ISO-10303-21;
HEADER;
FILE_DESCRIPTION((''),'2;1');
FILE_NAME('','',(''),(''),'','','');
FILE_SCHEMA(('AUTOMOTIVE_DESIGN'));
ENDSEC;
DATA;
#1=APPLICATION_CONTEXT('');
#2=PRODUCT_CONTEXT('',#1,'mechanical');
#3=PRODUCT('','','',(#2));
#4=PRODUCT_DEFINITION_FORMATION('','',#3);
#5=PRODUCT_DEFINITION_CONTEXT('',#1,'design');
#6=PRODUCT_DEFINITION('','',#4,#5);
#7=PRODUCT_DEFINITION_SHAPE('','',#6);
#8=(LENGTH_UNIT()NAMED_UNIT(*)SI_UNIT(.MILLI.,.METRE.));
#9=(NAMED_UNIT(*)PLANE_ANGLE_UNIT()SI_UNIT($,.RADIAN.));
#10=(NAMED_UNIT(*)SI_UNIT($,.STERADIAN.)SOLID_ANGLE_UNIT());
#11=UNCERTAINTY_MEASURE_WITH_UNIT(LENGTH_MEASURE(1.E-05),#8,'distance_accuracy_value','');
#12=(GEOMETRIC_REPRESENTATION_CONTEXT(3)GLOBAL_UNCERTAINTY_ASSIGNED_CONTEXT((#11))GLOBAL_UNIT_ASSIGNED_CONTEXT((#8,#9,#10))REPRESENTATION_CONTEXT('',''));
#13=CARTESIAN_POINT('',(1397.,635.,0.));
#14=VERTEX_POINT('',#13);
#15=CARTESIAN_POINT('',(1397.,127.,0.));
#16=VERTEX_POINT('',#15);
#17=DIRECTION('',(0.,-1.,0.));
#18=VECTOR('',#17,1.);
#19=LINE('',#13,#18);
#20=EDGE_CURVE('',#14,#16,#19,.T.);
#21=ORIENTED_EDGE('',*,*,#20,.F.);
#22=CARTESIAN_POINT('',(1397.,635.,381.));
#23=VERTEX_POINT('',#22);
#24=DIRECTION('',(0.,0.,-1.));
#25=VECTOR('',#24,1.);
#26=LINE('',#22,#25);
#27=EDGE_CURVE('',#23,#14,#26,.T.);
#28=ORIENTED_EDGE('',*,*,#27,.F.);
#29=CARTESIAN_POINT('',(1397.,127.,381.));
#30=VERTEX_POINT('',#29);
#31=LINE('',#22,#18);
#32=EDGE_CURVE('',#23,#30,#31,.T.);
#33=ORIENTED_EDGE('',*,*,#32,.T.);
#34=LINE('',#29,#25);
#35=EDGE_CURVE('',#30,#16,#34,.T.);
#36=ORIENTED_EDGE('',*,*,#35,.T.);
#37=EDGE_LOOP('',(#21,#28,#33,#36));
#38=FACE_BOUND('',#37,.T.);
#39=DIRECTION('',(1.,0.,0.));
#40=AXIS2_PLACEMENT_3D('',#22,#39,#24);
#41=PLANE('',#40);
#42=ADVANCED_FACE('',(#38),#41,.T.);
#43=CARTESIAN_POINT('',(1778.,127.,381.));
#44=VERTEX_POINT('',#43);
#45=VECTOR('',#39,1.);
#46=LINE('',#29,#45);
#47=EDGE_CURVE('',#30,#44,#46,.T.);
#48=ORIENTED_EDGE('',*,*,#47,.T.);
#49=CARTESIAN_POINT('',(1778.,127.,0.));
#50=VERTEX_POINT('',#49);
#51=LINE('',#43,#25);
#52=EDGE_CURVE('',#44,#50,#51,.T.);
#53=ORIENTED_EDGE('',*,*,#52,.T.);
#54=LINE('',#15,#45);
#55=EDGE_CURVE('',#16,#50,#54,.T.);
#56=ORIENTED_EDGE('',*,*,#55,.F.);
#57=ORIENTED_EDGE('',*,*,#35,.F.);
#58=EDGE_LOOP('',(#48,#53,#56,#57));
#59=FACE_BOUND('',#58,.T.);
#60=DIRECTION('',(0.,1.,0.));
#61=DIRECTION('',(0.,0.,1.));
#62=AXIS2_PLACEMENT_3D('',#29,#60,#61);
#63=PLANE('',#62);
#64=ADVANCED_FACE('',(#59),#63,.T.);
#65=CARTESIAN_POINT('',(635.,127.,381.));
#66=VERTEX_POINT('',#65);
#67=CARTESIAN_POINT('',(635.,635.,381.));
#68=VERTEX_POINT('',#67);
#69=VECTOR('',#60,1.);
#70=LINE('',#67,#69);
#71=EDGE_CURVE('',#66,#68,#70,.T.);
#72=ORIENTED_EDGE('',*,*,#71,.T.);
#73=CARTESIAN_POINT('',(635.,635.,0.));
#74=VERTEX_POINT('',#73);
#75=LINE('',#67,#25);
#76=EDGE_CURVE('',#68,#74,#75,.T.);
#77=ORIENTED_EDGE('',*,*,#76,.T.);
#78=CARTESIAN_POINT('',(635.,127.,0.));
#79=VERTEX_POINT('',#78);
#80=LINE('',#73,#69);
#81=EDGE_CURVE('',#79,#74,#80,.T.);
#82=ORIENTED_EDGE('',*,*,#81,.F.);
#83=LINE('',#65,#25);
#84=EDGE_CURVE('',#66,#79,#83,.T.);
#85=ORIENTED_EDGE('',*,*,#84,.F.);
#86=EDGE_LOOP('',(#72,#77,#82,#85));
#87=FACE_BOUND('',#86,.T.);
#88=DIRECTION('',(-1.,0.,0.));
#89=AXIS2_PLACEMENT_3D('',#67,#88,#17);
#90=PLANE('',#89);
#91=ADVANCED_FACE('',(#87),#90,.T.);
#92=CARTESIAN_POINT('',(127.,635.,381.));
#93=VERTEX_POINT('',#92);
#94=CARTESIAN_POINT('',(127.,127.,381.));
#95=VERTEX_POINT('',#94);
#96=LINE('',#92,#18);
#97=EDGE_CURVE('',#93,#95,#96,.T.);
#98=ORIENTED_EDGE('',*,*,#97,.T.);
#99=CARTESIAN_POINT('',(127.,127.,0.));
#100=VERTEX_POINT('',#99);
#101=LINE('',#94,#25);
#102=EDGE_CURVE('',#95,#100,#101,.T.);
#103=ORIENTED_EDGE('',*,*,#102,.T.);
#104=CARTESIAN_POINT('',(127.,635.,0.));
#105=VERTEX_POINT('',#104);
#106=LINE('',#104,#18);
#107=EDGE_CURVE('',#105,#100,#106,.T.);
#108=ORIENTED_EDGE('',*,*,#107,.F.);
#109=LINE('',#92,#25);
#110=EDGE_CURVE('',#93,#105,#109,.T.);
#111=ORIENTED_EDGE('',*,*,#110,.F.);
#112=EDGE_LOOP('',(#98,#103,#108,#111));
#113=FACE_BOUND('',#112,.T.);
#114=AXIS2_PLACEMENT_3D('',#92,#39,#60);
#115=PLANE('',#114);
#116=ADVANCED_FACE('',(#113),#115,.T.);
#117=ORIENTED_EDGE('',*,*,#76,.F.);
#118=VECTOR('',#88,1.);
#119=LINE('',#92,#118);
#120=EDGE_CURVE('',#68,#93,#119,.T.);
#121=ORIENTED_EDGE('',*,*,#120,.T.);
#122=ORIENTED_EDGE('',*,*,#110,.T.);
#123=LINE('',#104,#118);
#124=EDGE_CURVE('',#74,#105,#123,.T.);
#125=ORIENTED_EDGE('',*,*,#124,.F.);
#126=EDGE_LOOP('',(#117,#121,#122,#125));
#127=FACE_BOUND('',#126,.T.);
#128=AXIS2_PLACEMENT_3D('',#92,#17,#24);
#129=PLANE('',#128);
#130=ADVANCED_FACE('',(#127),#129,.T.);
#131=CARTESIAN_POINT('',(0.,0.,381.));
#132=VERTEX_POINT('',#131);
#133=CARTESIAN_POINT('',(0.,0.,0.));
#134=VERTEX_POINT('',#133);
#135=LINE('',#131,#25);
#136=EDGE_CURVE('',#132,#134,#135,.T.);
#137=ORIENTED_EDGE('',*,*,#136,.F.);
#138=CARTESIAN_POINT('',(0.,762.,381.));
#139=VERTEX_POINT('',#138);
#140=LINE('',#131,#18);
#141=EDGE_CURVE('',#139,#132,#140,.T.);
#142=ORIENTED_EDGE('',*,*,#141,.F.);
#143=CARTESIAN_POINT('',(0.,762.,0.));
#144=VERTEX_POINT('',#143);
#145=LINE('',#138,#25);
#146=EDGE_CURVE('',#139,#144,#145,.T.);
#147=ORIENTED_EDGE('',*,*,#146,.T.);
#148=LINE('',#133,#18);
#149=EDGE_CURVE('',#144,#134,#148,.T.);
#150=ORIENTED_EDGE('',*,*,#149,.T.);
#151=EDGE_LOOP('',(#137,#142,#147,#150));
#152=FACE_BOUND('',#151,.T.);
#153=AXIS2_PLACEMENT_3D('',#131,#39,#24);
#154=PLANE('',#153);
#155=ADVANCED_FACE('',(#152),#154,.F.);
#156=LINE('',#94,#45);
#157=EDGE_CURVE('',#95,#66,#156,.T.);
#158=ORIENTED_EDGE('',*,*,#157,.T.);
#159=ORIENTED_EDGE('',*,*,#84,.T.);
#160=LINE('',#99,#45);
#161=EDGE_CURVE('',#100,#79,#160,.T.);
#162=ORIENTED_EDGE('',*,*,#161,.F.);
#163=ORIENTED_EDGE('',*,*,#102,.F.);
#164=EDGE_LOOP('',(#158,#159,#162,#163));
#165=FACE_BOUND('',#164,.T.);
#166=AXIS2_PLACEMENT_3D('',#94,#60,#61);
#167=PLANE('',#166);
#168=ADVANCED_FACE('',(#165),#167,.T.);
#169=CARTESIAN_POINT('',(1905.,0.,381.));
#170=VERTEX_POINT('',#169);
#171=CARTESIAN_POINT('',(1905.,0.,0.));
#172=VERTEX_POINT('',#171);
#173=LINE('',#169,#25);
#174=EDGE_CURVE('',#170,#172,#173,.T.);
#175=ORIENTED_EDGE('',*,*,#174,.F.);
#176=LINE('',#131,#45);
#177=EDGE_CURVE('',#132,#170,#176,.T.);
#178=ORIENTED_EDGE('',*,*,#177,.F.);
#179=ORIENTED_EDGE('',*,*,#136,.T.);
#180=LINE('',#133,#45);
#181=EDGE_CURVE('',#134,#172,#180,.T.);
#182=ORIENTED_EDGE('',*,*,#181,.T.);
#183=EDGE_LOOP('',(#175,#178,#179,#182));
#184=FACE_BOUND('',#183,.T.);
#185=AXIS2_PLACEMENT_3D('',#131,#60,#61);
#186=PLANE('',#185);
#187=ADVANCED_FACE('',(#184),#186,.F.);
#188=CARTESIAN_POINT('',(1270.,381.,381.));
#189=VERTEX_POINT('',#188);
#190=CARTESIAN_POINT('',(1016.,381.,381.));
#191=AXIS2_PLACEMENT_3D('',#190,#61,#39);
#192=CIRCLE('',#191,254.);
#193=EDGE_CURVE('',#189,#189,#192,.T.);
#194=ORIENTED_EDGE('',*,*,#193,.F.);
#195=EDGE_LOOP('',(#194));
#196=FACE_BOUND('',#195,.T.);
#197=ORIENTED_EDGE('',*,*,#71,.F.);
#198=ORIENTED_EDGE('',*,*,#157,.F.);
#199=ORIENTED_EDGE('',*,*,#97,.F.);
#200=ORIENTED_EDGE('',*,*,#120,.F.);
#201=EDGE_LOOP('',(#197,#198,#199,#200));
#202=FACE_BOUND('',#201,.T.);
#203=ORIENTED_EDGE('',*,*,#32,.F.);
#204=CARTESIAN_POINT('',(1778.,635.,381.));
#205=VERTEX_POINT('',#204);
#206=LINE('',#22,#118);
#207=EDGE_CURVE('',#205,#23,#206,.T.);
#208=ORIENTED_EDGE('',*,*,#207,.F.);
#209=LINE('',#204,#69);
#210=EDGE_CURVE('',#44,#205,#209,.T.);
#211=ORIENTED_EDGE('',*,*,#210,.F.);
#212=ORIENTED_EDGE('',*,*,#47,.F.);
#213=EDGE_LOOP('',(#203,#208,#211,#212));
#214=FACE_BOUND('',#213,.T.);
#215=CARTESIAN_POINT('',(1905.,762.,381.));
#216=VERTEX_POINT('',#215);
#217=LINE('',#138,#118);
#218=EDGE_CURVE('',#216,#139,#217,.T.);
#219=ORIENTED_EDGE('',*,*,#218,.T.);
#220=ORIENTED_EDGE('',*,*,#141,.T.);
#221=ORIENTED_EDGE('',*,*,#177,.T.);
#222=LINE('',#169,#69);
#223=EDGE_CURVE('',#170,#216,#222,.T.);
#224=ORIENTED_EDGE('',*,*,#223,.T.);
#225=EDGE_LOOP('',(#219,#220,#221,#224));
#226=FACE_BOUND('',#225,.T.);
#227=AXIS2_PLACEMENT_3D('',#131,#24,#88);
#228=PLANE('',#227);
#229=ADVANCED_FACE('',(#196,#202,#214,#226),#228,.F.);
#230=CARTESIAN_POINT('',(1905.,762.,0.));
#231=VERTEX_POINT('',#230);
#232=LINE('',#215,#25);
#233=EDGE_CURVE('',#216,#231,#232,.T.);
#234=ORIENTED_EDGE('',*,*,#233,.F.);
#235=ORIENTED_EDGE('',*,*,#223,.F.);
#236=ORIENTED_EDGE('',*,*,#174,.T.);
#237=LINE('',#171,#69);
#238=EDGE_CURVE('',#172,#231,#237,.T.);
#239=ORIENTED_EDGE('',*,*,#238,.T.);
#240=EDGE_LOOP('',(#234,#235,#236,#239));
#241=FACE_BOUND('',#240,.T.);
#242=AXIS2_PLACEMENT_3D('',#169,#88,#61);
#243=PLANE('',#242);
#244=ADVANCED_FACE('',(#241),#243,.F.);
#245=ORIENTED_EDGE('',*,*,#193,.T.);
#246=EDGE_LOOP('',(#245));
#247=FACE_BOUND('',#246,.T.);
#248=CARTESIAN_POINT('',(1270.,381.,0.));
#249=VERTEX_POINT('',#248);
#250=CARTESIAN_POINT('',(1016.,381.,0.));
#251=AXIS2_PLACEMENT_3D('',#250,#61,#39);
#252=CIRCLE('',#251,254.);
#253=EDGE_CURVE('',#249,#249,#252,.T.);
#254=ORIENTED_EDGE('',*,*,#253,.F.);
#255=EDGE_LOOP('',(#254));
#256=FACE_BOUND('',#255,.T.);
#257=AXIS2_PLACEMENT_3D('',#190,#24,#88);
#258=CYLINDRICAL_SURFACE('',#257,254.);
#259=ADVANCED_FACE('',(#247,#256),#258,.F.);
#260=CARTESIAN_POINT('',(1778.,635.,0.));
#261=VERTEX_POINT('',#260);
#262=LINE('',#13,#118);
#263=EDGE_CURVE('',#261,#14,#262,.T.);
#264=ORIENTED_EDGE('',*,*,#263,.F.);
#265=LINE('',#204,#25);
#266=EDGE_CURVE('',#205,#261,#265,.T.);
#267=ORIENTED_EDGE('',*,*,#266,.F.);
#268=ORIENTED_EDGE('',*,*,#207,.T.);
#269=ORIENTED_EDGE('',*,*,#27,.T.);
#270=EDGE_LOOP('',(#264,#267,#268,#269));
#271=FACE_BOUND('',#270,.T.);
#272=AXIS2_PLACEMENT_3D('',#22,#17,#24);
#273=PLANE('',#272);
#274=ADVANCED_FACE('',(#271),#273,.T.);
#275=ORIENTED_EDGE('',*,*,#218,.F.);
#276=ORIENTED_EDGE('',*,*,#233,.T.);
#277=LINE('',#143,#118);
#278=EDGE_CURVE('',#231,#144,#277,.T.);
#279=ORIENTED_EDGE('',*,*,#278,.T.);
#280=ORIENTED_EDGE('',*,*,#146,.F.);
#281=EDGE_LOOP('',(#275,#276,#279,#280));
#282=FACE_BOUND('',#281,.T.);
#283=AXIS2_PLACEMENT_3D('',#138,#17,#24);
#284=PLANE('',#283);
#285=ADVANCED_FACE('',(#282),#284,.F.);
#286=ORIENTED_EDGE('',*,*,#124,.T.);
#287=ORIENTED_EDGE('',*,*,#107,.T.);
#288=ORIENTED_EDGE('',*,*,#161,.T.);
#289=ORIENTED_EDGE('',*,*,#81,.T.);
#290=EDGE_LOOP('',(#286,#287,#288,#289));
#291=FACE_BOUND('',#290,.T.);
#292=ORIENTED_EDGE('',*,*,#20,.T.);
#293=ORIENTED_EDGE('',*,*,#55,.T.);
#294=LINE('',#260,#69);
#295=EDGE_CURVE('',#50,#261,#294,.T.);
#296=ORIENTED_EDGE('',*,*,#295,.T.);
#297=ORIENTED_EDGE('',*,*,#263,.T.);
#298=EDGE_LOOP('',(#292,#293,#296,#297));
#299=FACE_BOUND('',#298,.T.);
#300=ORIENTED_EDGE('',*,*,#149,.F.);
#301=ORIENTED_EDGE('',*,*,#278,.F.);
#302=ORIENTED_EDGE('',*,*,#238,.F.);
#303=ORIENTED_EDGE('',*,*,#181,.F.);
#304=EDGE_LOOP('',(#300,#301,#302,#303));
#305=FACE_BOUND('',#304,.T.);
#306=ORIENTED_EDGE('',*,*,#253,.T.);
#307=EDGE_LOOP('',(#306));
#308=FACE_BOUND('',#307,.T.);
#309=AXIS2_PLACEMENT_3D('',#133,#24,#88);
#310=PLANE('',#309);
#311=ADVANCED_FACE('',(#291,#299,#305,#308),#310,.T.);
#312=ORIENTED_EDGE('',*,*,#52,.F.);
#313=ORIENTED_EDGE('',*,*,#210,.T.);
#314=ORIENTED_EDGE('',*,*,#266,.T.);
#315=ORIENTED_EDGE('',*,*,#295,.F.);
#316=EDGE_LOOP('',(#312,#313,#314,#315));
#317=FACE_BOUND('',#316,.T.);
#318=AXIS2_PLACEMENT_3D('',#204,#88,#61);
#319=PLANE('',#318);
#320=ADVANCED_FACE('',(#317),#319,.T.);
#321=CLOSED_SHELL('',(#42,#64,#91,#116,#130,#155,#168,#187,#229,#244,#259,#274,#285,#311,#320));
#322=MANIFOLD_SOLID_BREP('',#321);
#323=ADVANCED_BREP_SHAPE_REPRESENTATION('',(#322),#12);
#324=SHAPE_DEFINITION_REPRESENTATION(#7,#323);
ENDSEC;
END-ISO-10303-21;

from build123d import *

# Parameters (mm, degrees)
SKETCH1_W           = 1905
SKETCH1_H           = 762
SKETCH1_R           = 254
SKETCH1_W_2         = 508
SKETCH1_H_2         = 508
SKETCH1_W_3         = 381
BOSS_EXTRUDE1_DEPTH = 381


with BuildPart() as part:
    # Sketch1 → Boss-Extrude1 (new body)
    with BuildSketch(Plane.XY):
        with Locations((952.5, 381)):
            Rectangle(SKETCH1_W, SKETCH1_H)
        with Locations((1016, 381)):
            Circle(SKETCH1_R, mode=Mode.SUBTRACT)
        with Locations((381, 381)):
            Rectangle(SKETCH1_W_2, SKETCH1_H_2, mode=Mode.SUBTRACT)
        with Locations((1587.5, 381)):
            Rectangle(SKETCH1_W_3, SKETCH1_H_2, mode=Mode.SUBTRACT)
    extrude(amount=BOSS_EXTRUDE1_DEPTH)


solid = part.part
